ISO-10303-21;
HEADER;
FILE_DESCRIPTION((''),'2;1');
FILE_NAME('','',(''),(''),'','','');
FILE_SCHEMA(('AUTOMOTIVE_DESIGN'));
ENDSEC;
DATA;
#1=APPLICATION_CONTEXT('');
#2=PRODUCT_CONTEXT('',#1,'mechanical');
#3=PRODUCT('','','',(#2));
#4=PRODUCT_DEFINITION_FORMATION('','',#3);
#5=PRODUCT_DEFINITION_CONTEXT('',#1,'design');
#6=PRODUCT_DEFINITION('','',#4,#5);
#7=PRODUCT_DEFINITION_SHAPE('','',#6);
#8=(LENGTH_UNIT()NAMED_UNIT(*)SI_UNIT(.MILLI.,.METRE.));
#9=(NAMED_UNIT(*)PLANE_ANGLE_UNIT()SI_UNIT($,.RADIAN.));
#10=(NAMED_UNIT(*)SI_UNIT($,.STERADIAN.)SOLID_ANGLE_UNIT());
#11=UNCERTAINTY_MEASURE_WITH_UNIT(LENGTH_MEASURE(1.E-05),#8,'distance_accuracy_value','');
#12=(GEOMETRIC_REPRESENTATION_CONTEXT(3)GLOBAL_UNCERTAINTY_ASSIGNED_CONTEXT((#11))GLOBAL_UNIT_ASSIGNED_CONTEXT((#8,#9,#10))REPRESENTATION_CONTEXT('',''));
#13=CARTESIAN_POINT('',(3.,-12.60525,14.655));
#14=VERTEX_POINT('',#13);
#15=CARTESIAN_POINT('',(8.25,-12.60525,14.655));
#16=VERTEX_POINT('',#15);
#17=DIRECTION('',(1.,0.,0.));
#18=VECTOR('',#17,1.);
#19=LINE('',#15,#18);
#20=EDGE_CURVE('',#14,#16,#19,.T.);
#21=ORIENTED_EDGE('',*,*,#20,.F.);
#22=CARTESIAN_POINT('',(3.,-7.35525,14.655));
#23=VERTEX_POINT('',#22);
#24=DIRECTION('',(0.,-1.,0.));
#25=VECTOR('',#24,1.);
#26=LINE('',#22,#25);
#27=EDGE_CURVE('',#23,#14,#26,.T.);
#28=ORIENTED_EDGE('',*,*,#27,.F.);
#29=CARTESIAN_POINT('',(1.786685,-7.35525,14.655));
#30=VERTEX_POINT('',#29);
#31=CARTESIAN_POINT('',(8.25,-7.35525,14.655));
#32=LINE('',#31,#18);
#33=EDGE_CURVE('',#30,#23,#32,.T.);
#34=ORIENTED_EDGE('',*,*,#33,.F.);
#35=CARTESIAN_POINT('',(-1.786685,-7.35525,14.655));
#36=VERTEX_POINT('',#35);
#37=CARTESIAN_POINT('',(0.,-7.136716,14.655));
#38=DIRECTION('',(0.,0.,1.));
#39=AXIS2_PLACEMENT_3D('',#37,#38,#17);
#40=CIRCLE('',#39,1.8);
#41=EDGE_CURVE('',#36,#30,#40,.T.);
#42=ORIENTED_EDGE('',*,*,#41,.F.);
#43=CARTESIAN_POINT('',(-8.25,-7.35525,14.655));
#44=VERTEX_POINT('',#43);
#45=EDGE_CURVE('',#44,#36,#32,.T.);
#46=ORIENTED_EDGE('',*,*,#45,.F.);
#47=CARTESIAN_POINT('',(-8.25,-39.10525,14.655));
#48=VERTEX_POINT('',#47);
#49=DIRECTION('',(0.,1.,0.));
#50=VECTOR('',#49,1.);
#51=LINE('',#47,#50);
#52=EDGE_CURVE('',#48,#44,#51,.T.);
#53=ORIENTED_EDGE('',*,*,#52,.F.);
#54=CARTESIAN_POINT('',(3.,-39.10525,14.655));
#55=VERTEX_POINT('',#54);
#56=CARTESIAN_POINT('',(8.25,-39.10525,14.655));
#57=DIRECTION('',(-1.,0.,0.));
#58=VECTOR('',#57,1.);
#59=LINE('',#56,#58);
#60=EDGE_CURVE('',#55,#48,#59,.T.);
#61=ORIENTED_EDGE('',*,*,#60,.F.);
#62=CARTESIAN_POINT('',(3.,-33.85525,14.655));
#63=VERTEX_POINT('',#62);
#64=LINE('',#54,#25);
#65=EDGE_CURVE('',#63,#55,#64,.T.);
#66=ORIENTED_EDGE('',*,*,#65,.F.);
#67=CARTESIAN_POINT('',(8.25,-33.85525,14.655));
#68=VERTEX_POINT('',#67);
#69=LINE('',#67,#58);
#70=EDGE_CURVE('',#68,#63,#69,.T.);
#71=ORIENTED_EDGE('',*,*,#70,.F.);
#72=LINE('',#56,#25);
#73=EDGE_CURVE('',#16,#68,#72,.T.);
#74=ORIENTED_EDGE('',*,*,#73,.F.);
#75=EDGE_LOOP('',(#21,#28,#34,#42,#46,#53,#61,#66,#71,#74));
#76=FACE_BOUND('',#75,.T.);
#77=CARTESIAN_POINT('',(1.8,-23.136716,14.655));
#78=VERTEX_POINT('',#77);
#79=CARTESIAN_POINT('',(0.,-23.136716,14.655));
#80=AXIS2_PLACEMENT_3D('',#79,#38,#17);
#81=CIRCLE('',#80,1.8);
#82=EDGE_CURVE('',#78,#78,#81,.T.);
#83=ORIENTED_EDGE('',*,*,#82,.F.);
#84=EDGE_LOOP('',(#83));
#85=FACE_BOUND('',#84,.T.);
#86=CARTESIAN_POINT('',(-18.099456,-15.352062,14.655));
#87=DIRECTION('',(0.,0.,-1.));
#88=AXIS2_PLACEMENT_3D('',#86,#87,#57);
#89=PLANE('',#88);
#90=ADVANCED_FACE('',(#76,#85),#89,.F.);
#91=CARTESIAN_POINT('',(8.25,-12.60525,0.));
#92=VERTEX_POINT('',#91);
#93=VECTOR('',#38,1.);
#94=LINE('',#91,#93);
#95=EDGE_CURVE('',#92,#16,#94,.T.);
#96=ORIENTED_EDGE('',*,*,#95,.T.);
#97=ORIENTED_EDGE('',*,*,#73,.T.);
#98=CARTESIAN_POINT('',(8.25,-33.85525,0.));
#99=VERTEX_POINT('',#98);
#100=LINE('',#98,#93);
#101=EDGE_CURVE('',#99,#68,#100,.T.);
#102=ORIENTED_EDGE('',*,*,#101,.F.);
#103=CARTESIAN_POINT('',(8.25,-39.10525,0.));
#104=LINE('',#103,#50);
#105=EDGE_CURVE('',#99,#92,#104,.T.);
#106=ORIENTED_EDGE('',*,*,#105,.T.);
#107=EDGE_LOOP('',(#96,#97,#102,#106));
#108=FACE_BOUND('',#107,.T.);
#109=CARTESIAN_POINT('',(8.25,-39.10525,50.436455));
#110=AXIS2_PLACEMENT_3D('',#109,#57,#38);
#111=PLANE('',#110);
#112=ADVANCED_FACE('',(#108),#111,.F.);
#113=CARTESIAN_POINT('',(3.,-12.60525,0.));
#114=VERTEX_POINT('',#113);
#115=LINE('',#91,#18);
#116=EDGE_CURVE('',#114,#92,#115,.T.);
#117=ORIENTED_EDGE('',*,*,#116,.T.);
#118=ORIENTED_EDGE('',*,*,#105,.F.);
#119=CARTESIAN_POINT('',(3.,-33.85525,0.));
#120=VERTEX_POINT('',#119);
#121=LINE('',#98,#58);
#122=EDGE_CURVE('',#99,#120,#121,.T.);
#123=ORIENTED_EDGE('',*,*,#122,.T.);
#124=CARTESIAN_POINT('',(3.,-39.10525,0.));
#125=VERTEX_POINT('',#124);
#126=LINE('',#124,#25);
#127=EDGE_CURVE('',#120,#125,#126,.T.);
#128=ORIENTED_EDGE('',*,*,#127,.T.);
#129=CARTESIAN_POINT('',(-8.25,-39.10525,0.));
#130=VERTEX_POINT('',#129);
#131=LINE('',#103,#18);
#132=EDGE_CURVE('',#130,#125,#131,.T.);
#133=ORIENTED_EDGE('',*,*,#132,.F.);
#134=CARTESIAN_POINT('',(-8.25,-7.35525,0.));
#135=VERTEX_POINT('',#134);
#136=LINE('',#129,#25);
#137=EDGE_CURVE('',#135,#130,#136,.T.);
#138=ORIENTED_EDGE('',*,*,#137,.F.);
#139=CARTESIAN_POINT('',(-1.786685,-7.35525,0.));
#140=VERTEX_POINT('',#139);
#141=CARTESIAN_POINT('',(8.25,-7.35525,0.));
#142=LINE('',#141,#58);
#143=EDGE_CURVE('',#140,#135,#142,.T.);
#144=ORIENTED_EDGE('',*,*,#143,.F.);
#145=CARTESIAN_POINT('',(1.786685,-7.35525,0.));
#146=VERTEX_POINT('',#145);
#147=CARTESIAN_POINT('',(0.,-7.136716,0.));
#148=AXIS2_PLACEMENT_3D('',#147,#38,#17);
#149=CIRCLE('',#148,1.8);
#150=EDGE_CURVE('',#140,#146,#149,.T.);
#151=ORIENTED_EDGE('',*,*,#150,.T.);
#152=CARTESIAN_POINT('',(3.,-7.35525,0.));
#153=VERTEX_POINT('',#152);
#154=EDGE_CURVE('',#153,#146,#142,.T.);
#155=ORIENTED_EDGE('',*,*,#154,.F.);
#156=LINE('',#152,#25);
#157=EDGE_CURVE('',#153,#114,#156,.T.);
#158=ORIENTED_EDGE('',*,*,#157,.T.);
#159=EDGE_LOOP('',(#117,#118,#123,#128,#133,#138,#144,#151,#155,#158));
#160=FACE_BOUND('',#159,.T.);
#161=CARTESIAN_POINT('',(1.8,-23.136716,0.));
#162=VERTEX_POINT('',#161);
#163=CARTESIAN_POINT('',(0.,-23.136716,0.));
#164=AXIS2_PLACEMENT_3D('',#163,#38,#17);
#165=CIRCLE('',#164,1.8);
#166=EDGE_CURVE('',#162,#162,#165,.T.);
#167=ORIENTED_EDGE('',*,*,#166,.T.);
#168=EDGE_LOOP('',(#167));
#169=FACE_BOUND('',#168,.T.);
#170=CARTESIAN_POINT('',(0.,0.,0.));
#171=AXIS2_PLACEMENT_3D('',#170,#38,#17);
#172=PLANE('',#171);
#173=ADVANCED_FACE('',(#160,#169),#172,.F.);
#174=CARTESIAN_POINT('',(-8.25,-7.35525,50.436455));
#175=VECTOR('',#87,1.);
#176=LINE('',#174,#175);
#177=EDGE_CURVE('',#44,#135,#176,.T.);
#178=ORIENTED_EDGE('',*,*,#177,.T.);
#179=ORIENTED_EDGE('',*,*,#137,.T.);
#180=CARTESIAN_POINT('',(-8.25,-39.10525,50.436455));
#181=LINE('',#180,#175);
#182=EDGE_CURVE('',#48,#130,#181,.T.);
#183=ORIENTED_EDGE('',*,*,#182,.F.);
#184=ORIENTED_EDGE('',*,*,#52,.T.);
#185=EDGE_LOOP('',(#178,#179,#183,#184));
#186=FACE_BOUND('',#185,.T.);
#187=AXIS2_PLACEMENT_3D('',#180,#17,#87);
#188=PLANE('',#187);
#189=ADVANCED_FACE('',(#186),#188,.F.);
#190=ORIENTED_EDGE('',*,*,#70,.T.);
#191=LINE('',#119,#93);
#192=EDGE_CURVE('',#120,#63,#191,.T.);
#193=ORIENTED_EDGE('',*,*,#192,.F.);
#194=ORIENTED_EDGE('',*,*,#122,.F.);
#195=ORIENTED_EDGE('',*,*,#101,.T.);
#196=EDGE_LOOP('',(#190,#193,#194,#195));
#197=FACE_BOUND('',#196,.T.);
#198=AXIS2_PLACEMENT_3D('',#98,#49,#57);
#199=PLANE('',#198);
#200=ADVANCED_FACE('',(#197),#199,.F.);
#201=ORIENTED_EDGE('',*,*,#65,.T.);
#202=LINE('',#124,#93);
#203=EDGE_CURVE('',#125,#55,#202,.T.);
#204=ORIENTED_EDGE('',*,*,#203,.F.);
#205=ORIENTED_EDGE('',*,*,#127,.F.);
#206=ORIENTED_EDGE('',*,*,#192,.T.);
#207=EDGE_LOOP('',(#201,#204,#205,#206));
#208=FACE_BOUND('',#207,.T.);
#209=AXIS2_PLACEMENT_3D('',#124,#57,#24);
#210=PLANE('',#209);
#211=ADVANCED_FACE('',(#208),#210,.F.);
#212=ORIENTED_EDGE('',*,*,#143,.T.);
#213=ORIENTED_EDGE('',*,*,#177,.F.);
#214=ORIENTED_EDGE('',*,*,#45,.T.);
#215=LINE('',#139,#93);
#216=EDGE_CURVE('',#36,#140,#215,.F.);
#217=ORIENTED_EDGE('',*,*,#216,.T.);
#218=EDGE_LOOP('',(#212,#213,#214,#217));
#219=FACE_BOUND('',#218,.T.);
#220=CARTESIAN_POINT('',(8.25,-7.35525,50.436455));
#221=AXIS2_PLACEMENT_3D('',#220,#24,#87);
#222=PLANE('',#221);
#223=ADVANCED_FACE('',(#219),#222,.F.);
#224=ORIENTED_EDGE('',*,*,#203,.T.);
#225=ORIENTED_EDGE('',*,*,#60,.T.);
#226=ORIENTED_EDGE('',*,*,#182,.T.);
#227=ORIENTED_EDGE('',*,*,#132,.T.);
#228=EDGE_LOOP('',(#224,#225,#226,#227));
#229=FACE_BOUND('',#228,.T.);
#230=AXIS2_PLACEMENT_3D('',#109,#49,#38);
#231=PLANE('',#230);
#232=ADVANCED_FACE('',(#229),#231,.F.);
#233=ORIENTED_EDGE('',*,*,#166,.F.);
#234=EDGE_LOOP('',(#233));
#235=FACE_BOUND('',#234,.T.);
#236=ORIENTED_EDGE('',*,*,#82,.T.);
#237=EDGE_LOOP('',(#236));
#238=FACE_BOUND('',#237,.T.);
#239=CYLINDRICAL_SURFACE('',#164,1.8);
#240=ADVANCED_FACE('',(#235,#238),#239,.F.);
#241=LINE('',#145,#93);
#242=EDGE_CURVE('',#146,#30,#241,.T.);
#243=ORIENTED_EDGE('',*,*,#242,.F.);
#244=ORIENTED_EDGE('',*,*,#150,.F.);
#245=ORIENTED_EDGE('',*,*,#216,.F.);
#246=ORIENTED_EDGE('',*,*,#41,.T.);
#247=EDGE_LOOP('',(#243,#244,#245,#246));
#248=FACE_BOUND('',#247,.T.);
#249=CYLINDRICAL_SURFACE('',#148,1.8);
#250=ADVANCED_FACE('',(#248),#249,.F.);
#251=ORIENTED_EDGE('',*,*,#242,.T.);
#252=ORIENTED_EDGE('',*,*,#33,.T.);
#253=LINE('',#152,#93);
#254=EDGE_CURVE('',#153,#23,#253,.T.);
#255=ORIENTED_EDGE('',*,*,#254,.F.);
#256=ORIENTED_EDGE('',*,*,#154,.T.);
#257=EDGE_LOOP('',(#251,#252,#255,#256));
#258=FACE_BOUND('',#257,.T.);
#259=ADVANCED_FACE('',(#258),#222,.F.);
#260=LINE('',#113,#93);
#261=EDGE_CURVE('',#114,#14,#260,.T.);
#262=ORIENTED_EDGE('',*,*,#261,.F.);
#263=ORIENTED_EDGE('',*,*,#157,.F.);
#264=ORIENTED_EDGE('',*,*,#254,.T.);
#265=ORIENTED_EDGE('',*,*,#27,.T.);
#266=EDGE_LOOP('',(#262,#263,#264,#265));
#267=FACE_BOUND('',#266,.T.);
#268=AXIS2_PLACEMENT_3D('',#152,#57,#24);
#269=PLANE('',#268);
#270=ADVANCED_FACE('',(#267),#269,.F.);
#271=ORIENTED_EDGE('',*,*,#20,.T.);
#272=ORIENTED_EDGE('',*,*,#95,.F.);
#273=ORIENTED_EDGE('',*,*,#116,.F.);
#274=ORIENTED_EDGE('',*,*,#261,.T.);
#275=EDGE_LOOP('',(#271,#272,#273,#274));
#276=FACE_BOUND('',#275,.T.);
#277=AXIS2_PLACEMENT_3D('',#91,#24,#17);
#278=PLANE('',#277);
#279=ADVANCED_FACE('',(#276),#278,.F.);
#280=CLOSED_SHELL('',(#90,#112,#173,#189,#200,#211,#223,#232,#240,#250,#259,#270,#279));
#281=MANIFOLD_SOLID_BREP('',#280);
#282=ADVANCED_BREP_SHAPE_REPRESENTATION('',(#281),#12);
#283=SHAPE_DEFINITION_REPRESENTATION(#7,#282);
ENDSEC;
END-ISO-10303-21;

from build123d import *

# Parameters (mm, degrees)
SKETCH2_W           = 16.5
SKETCH2_H           = 31.75
BOSS_EXTRUDE1_DEPTH = 14.655
SKETCH5_W           = 5.25
SKETCH5_H           = 5.25
CUT_EXTRUDE2_DEPTH  = 15.655
SKETCH6_R           = 1.8
CUT_EXTRUDE3_DEPTH  = 15.655


with BuildPart() as part:
    # Sketch2 → Boss-Extrude1 (new body)
    with BuildSketch(Plane.XY):
        with Locations((0, -23.230249591)):
            Rectangle(SKETCH2_W, SKETCH2_H)
    extrude(amount=BOSS_EXTRUDE1_DEPTH)

    # Sketch5 → Cut-Extrude2 (cut, through all)
    with BuildSketch(Plane.XY.offset(14.655)):
        with Locations((5.625, -36.480249591)):
            Rectangle(SKETCH5_W, SKETCH5_H)
        with Locations((5.625, -9.980249591)):
            Rectangle(SKETCH5_W, SKETCH5_H)
    extrude(amount=-CUT_EXTRUDE2_DEPTH, mode=Mode.SUBTRACT)

    # Sketch6 → Cut-Extrude3 (cut, through all)
    with BuildSketch(Plane.XY.offset(14.655)):
        with Locations((0, -23.136715776)):
            Circle(SKETCH6_R)
        with Locations((0, -7.136715776)):
            Circle(SKETCH6_R)
    extrude(amount=-CUT_EXTRUDE3_DEPTH, mode=Mode.SUBTRACT)


solid = part.part
